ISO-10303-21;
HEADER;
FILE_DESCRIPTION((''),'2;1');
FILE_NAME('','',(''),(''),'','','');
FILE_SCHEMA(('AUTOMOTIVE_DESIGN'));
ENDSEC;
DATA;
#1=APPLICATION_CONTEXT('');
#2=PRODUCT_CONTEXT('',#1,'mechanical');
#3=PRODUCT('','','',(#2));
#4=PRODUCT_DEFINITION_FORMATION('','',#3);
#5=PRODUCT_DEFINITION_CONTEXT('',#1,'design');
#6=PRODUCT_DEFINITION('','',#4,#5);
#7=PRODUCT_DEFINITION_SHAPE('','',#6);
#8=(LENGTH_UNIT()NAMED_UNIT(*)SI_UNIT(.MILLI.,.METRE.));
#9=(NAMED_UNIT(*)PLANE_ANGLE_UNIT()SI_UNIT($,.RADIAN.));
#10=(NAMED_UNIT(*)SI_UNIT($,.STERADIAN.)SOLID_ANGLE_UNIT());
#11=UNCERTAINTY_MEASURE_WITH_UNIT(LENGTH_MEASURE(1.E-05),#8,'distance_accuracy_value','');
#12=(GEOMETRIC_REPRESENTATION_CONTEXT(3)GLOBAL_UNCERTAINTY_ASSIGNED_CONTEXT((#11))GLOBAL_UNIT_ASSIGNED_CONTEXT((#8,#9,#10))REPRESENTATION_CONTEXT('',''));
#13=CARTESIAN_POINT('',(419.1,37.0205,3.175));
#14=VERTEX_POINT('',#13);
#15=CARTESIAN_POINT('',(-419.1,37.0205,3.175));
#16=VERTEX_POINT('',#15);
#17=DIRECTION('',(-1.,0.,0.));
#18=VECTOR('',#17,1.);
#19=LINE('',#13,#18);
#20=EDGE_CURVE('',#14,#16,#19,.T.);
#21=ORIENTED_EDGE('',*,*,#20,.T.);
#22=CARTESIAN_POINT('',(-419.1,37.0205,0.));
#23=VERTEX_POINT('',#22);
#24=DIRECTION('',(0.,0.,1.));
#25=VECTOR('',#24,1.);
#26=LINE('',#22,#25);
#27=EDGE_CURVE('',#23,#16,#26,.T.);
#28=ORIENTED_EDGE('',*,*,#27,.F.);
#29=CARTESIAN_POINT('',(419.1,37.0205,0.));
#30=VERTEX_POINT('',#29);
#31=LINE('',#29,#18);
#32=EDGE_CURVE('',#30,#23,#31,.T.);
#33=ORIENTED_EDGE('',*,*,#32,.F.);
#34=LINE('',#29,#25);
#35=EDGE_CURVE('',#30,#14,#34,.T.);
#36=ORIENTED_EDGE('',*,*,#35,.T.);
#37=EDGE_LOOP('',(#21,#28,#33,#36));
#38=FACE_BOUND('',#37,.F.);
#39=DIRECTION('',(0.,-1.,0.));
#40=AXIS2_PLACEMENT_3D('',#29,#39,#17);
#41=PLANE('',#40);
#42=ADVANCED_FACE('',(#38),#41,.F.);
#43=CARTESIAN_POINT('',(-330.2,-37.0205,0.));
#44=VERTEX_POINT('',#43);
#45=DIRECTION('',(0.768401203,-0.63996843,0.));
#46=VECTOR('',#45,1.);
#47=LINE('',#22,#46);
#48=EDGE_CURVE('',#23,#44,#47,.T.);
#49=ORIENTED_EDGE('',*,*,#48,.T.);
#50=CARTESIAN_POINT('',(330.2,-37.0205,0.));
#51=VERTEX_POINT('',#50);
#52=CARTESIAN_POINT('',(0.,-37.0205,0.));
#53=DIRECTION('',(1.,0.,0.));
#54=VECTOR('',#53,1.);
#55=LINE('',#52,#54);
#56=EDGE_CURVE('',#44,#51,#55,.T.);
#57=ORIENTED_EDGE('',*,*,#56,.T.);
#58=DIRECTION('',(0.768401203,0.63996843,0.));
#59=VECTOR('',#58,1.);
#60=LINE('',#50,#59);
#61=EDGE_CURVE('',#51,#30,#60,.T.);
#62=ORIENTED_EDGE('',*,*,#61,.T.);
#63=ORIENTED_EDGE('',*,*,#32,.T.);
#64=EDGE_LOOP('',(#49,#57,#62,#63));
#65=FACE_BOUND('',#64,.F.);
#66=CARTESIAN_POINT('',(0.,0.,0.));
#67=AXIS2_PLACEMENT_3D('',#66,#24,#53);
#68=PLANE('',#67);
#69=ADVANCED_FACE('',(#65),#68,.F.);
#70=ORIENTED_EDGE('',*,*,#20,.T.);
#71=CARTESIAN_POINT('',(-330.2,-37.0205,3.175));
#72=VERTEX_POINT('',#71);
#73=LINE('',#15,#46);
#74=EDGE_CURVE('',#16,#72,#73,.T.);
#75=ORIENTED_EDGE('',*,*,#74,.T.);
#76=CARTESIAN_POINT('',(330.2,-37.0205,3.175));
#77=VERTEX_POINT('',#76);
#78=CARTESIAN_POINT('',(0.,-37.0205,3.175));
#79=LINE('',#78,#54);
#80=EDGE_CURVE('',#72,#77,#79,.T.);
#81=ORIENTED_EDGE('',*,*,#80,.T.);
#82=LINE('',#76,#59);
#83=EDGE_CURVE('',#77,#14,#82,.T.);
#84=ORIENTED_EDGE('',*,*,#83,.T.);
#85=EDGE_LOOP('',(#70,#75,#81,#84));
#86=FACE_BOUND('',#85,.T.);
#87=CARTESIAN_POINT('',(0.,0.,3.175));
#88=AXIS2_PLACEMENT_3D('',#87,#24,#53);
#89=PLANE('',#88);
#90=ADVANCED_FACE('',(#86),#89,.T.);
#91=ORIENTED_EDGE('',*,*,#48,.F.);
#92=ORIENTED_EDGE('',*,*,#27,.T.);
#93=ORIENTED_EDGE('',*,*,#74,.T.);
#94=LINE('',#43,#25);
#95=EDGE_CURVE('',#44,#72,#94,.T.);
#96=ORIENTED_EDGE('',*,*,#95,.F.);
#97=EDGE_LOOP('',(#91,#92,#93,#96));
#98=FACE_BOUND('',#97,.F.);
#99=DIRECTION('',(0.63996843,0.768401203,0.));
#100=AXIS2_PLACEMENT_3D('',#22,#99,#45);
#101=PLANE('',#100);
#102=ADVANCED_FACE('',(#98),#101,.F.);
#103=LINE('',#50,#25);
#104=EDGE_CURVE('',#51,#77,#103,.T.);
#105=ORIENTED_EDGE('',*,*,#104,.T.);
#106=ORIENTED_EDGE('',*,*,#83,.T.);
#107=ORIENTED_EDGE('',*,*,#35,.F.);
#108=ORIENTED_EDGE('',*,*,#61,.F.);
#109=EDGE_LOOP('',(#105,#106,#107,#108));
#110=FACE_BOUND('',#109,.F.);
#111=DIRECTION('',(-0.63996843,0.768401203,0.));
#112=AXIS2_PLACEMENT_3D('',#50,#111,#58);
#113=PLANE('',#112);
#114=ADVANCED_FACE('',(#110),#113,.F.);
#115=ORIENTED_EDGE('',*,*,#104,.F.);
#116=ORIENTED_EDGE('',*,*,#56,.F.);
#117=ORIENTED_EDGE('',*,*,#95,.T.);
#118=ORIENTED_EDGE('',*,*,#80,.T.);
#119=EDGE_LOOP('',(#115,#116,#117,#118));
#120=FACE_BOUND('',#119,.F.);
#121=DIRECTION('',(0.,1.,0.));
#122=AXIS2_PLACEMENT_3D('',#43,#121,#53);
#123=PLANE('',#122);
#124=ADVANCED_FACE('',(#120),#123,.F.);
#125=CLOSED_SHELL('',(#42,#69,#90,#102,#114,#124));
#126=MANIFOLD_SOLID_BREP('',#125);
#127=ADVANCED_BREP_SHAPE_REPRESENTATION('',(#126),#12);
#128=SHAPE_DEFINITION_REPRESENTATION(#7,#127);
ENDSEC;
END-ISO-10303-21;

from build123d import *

# Parameters (mm, degrees)
F0_W     = 660.4
F0_H     = 74.041
F1_DEPTH = 3.175


with BuildPart() as f1:
    # F0 (on Top) → F1 (new body)
    with BuildSketch(Plane.XY):
        Rectangle(F0_W, F0_H)
        Polygon((419.1, 37.0205), (330.2, 37.0205), (330.2, -37.0205), align=None)
        Polygon((-330.2, -37.0205), (-330.2, 37.0205), (-419.1, 37.0205), align=None)
    extrude(amount=F1_DEPTH)


solid = f1.part
